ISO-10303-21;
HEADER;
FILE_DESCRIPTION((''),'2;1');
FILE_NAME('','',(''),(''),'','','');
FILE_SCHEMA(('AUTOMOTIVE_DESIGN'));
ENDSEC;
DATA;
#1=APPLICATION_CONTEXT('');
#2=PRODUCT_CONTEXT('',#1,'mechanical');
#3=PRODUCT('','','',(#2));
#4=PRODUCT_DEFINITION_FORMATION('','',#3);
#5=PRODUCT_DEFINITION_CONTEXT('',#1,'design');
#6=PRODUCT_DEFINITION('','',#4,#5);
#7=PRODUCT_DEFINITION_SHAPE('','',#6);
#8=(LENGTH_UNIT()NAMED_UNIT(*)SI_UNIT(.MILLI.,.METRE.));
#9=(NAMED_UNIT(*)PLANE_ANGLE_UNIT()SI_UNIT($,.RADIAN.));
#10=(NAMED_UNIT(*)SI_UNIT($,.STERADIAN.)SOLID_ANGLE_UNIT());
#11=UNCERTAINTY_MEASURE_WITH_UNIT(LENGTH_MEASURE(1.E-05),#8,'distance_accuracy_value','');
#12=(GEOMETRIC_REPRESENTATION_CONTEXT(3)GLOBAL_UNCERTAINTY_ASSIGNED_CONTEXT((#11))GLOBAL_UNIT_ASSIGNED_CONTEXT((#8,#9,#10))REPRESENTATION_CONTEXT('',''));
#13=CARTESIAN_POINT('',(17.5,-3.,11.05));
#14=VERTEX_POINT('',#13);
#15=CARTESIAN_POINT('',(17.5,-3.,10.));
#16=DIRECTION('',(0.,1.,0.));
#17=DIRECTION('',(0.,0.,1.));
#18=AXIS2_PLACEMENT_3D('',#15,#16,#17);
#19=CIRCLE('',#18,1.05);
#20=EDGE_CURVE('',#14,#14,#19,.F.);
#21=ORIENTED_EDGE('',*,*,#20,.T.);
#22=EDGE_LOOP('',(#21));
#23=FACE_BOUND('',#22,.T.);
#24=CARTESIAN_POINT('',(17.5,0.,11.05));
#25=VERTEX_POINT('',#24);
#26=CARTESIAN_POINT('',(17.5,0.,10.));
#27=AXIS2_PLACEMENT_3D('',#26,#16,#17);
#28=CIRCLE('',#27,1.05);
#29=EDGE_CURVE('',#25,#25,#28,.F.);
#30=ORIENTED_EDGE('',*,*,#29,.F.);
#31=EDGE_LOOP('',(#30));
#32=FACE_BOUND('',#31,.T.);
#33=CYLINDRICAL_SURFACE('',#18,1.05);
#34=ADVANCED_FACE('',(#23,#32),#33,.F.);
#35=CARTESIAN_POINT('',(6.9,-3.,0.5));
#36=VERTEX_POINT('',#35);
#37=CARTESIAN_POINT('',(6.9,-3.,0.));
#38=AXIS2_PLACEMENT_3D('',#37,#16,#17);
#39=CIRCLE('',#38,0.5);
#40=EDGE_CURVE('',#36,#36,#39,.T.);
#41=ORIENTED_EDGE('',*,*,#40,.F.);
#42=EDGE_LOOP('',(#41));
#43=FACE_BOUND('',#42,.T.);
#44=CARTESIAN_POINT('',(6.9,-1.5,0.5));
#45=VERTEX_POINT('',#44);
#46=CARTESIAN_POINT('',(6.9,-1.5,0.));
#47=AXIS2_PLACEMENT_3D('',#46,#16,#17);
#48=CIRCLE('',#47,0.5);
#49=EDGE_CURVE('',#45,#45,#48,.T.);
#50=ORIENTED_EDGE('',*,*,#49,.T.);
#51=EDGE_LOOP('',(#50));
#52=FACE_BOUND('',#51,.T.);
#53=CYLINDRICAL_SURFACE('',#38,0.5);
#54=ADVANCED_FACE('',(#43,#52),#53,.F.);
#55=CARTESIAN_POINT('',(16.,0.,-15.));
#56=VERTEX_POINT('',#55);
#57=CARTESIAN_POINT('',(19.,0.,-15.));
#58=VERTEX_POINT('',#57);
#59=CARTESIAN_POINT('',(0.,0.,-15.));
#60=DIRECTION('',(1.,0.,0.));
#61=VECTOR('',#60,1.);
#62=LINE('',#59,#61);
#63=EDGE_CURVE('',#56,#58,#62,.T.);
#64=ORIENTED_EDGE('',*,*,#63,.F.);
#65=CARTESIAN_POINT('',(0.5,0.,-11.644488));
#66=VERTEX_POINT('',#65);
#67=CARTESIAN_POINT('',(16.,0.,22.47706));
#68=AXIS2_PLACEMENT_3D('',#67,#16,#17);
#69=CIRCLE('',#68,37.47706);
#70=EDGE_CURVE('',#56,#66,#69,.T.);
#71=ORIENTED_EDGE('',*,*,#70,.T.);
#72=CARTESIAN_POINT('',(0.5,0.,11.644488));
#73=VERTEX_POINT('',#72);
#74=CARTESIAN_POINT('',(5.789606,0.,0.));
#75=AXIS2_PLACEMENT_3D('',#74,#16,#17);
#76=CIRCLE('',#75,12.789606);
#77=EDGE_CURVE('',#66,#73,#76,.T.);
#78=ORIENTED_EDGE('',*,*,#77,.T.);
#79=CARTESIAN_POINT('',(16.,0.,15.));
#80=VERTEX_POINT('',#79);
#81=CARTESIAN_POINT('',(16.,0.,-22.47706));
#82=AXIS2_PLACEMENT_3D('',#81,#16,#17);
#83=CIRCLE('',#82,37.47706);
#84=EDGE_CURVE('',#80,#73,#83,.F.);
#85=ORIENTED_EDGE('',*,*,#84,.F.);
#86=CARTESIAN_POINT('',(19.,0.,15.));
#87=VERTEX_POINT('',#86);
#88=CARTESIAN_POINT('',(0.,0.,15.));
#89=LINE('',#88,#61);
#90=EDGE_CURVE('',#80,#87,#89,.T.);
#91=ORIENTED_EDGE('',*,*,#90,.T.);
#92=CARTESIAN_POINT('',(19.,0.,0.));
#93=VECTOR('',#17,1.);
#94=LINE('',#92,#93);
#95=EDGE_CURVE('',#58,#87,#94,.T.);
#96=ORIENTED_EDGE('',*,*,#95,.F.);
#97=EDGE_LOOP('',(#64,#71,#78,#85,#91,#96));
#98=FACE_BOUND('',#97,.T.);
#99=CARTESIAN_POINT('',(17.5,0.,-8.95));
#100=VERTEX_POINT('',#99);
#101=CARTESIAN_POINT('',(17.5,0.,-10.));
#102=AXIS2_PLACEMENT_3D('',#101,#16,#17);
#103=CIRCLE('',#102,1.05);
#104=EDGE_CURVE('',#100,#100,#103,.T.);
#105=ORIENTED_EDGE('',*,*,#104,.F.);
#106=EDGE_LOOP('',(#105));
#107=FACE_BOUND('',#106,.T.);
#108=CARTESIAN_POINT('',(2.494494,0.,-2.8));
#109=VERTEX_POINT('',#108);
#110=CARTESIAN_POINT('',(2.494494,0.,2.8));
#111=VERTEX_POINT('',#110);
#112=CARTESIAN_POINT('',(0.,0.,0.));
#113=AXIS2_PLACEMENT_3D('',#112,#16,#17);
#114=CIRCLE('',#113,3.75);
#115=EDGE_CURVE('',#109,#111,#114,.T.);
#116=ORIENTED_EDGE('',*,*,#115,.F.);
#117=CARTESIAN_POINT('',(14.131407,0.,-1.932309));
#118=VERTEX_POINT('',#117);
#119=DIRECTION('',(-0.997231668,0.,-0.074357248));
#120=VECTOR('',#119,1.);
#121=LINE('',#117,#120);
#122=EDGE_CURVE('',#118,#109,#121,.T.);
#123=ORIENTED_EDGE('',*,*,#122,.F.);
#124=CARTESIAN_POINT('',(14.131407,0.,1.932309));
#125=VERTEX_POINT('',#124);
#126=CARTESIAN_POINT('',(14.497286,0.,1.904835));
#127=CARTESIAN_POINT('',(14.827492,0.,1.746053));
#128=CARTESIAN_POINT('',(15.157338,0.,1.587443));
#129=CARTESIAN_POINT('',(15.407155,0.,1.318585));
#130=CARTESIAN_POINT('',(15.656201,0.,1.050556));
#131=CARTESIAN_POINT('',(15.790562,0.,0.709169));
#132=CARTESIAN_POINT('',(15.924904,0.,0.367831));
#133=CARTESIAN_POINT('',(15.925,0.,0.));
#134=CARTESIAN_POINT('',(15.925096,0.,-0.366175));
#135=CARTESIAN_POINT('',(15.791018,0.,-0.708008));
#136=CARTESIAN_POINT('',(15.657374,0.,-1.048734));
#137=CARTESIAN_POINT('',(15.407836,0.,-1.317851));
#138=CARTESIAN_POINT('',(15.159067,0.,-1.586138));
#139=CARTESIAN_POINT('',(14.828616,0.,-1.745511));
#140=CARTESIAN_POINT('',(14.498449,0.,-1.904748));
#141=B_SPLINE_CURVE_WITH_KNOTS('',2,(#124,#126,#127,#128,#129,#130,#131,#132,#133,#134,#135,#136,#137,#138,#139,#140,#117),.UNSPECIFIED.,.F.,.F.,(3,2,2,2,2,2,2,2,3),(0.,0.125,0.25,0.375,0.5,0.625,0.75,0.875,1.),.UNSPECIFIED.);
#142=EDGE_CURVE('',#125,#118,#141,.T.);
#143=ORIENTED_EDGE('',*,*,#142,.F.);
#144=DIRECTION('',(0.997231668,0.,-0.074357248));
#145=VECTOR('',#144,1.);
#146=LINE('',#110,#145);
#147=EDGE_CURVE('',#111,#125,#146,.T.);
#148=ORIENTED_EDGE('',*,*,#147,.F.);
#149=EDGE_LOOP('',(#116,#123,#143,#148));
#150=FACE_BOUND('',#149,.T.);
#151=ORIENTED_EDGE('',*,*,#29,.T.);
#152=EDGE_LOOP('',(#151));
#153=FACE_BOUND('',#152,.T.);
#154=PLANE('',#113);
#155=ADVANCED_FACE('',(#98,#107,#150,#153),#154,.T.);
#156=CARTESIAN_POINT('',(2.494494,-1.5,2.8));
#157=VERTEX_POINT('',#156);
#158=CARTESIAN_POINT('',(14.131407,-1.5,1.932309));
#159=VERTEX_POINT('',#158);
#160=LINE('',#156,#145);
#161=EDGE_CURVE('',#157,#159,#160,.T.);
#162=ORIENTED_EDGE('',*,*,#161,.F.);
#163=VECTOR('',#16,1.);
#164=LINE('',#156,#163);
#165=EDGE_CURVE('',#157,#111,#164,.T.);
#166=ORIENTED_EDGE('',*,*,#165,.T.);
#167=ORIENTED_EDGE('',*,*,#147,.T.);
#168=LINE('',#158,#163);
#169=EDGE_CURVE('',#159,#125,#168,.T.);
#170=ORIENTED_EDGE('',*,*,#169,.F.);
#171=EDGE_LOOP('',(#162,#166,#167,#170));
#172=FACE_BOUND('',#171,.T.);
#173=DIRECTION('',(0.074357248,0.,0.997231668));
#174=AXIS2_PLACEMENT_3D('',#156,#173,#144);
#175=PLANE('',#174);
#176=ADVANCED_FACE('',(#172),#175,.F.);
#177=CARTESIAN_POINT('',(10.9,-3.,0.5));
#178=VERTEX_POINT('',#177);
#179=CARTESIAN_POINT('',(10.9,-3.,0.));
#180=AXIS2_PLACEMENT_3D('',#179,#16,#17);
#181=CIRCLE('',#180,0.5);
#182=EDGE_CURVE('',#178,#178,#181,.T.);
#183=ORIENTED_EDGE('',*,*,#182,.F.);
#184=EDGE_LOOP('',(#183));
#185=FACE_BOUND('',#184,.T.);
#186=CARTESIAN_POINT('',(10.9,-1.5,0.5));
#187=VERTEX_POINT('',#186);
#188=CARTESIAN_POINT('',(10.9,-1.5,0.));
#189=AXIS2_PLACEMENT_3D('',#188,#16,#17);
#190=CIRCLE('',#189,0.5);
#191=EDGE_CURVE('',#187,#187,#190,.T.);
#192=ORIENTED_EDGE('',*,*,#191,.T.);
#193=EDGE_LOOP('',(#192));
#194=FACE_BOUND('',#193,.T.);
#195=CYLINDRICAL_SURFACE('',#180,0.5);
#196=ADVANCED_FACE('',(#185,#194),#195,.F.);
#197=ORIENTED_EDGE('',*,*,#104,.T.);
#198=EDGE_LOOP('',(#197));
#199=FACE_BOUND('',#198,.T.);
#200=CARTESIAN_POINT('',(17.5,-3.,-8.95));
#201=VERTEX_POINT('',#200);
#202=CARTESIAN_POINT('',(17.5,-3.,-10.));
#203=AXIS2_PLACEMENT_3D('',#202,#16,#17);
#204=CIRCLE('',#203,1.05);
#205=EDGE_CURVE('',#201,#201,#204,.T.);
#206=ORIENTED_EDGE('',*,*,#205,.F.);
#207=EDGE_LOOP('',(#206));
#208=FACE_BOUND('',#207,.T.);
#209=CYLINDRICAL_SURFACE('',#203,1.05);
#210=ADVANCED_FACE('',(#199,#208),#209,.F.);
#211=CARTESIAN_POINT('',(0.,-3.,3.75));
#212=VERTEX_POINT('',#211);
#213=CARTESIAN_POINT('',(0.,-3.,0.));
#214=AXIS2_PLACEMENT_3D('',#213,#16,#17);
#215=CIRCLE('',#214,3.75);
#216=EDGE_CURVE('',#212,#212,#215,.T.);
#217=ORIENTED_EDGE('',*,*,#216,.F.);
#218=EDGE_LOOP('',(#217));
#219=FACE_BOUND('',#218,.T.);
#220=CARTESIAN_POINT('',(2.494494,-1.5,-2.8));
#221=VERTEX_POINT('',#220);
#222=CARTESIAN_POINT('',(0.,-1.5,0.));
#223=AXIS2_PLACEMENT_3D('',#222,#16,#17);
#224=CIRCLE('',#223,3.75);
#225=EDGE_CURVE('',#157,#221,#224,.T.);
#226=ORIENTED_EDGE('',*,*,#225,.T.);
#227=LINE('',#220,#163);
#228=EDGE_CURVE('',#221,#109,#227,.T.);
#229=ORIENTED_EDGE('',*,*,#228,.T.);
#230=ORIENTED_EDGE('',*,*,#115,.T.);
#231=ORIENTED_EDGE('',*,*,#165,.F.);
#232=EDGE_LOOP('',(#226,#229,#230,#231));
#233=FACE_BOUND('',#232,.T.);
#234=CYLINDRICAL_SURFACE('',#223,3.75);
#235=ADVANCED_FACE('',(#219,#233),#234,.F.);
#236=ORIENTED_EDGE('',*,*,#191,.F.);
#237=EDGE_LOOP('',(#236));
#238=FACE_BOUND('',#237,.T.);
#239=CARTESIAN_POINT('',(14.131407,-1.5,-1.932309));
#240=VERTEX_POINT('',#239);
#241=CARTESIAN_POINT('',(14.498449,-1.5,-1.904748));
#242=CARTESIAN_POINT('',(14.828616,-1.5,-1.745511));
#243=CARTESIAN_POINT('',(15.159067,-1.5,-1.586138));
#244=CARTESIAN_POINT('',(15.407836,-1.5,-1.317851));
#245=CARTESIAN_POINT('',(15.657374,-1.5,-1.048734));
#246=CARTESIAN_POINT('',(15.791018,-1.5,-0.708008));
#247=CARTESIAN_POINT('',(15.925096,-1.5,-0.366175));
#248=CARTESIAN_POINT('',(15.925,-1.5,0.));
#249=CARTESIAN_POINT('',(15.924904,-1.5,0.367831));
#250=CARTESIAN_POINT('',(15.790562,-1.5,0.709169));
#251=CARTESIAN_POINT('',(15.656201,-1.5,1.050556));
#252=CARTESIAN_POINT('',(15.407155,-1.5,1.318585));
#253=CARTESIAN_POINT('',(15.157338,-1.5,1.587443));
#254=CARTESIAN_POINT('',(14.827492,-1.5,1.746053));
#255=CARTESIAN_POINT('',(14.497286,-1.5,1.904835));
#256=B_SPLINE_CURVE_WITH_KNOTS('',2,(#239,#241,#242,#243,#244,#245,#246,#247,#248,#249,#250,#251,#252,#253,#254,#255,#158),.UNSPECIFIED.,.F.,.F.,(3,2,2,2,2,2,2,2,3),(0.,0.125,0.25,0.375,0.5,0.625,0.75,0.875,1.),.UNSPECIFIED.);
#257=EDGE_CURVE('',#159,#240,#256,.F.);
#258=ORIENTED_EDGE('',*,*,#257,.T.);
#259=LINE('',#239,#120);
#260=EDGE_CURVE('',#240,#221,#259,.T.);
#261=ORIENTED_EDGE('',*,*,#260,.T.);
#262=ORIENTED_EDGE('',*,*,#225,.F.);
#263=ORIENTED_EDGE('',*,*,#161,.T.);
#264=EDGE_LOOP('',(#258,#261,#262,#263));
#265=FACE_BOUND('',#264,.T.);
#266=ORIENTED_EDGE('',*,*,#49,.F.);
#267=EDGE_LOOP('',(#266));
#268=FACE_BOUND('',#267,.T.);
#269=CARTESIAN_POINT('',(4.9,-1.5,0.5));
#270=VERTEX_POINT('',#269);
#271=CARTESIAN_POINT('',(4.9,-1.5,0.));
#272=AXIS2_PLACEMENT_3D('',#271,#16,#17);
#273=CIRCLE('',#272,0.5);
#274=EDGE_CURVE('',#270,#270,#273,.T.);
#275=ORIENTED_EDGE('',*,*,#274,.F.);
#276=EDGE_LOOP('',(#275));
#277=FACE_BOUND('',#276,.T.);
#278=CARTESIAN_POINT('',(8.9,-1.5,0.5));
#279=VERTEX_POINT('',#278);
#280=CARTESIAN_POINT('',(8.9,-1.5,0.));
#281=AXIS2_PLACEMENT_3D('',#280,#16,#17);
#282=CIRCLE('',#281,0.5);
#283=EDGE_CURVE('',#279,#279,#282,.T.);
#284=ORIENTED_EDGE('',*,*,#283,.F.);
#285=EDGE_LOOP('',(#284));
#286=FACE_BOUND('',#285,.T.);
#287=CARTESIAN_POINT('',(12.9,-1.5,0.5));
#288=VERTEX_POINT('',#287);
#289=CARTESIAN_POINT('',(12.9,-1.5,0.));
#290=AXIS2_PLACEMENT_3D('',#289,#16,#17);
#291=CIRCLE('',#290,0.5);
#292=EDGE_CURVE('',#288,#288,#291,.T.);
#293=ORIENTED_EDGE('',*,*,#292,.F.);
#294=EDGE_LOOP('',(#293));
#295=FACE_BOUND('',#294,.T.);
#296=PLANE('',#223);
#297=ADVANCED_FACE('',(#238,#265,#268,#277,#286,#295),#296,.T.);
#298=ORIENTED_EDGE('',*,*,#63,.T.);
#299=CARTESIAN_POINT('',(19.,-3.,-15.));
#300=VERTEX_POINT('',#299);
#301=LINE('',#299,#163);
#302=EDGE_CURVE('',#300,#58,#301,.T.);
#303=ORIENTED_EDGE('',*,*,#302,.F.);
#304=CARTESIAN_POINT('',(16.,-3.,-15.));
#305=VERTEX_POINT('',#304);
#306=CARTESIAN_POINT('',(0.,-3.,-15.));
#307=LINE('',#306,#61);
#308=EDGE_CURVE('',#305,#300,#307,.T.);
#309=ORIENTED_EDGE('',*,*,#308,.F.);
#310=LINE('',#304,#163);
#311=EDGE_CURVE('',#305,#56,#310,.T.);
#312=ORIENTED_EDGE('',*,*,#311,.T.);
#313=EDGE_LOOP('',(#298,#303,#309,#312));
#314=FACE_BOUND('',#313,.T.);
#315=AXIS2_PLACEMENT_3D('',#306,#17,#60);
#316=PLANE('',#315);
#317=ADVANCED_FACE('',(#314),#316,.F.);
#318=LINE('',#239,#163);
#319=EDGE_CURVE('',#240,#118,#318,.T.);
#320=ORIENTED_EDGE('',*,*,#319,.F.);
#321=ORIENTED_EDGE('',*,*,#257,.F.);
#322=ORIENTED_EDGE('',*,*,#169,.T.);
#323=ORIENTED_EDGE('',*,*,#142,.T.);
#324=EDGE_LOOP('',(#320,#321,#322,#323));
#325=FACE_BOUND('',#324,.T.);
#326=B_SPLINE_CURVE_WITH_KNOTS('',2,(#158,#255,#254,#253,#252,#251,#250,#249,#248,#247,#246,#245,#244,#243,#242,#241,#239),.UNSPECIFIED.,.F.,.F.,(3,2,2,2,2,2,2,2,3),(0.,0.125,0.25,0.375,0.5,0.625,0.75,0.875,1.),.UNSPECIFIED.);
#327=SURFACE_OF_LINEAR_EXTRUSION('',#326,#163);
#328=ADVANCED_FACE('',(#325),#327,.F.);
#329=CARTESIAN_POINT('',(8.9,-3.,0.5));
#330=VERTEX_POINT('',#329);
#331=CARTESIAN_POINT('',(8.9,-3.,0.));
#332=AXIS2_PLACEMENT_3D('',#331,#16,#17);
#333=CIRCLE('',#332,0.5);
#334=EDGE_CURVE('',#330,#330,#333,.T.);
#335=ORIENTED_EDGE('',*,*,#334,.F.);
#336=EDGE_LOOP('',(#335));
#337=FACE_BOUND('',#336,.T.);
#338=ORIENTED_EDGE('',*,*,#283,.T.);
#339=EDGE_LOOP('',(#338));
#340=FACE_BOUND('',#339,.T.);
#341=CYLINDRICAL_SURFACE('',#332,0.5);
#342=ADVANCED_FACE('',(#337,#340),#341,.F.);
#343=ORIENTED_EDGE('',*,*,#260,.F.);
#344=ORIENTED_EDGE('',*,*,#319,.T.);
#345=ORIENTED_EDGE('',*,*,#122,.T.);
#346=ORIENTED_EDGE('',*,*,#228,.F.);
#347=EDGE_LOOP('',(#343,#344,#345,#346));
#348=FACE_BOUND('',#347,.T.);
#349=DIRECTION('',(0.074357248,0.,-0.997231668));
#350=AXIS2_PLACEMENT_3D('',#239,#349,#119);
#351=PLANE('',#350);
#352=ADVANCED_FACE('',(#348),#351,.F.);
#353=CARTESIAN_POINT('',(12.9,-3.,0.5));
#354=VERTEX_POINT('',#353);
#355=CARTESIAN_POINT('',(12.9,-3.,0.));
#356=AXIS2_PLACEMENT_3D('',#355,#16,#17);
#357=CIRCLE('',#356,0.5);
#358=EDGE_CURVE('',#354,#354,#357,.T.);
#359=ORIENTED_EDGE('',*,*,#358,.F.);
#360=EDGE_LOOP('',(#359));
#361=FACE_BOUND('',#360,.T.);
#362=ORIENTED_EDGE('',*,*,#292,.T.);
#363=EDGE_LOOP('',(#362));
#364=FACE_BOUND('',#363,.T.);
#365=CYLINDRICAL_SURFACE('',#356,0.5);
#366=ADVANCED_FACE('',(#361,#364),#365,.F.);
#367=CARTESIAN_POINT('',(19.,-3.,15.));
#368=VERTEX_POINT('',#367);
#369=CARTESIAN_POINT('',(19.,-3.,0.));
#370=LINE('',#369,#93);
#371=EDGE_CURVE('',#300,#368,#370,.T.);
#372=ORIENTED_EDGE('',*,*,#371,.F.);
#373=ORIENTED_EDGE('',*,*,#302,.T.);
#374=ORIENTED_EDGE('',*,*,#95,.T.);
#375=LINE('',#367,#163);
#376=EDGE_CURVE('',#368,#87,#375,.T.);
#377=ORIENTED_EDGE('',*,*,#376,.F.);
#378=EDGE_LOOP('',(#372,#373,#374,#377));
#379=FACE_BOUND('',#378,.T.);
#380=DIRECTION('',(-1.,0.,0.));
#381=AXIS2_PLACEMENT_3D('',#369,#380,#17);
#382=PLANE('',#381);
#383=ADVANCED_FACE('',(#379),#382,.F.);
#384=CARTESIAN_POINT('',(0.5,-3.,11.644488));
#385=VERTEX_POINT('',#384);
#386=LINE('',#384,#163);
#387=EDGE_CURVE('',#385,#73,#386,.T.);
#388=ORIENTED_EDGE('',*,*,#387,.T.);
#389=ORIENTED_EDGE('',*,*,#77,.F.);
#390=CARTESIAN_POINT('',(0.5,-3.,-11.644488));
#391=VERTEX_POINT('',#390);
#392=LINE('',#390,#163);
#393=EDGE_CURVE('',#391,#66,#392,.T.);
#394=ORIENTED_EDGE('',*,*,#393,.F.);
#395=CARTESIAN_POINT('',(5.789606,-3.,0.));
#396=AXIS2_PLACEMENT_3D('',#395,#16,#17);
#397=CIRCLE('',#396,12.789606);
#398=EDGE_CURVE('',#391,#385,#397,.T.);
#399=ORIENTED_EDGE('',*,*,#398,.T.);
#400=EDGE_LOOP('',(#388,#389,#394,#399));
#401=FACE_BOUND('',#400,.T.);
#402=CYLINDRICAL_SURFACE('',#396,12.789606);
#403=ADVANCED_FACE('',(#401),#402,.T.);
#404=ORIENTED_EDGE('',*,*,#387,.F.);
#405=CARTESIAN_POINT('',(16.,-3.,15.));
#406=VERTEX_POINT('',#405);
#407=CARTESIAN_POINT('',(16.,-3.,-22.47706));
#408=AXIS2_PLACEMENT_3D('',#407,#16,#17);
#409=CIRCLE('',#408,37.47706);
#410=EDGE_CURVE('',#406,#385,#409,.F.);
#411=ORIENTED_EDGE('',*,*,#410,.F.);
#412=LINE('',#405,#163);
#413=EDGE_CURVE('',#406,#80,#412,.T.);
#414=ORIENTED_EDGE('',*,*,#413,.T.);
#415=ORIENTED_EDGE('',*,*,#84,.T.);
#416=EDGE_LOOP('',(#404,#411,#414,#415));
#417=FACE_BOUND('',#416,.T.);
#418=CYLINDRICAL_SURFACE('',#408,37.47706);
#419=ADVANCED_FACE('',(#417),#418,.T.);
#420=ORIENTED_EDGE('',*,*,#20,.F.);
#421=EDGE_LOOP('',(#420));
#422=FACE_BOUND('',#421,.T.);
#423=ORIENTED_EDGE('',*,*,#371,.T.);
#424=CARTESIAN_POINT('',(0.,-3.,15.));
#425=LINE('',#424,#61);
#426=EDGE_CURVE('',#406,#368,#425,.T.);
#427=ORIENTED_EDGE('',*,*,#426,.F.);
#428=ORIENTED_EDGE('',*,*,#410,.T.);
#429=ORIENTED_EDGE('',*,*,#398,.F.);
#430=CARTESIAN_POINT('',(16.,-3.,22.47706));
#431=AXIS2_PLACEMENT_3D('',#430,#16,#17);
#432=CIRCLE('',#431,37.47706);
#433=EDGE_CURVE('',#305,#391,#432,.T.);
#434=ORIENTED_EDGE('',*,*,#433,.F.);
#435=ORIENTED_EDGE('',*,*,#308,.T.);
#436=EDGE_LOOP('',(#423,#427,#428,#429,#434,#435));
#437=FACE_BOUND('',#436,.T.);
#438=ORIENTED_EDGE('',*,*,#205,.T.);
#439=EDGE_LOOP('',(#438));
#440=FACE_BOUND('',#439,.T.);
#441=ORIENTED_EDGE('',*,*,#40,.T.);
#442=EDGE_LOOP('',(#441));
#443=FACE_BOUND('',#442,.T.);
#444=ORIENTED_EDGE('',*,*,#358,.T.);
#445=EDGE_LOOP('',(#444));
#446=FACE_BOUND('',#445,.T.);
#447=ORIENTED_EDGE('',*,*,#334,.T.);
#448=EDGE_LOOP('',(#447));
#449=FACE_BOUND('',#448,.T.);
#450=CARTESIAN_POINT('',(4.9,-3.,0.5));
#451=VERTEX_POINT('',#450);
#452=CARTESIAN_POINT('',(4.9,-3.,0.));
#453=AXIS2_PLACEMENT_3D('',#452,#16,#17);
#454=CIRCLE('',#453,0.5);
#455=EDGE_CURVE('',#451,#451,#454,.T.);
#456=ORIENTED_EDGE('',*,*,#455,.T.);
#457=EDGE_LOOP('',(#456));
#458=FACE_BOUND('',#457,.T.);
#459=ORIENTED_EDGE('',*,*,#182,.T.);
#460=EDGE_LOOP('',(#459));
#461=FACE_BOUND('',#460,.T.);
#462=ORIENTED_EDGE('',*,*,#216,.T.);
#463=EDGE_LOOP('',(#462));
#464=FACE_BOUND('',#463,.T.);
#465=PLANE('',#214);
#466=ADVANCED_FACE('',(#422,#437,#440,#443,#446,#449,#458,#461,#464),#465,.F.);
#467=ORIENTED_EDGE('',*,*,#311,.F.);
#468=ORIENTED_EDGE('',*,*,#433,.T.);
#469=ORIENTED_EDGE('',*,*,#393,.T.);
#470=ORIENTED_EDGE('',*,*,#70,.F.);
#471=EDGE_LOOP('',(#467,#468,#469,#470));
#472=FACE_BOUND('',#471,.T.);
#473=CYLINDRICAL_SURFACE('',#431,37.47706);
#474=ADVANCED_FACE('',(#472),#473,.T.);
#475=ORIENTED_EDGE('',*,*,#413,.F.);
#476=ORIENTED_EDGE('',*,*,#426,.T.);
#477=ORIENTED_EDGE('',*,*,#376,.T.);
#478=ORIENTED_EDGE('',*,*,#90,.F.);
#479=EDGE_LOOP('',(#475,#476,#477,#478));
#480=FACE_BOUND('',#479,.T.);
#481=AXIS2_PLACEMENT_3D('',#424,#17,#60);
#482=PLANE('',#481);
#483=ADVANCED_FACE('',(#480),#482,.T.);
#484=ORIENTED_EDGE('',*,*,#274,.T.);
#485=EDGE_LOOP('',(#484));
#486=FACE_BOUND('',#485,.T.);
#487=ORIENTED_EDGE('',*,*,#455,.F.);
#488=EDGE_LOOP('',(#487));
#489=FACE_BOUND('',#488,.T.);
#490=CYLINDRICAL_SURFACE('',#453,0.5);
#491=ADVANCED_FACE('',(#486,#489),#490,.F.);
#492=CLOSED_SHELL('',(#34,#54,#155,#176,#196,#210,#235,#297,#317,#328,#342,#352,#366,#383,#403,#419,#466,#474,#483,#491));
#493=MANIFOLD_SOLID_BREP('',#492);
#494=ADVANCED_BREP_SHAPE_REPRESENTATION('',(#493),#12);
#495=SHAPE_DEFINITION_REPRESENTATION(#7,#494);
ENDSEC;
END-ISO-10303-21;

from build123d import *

# Parameters (mm, degrees)
SKETCH1_R               = 1.05
SKETCH1_R_2             = 2.35
BOSS_EXTRUDE1_DEPTH     = 3
ENL_V_MAT_EXTRU_1_DEPTH = 1.5
ESQUISSE3_R             = 0.5
ESQUISSE3_R_2           = 3.75
ENL_V_MAT_EXTRU_7_DEPTH = 25.253865818


with BuildPart() as part:
    # Sketch1 → Boss-Extrude1 (new body)
    with BuildSketch(Plane(origin=(0, 0, 0), x_dir=(1, 0, 0), z_dir=(0, 1, 0))):
        with BuildLine():
            Line((19, 15), (16, 15))
            ThreePointArc((16, 15), (8.07047508, 14.15151711), (0.5, 11.644487847))
            ThreePointArc((0.5, 11.644487847), (-7, 0), (0.5, -11.644487847))
            ThreePointArc((0.5, -11.644487847), (8.07047508, -14.15151711), (16, -15))
            Line((16, -15), (19, -15))
            Line((19, -15), (19, 15))
        make_face()
        with Locations(Location((17.5, -10, 0), (0, 0, 270))):
            Circle(SKETCH1_R, mode=Mode.SUBTRACT)
        with Locations(Location((17.5, 10, 0), (0, 0, 270))):
            Circle(SKETCH1_R, mode=Mode.SUBTRACT)
        with Locations(Location((0, 0, 0), (0, 0, 270))):
            Circle(SKETCH1_R_2, mode=Mode.SUBTRACT)
    extrude(amount=-BOSS_EXTRUDE1_DEPTH)

    # Esquisse1 → Enlèv. mat.-Extru.1 (cut)
    with BuildSketch(Plane(origin=(0, 0, 0), x_dir=(1, 0, 0), z_dir=(0, 1, 0))):
        with BuildLine():
            Line((2.494493937, -2.8), (14.131406802, -1.932309126))
            add(Edge.make_bspline(
                [(14.131406802, -1.932309126), (14.497286128, -1.904835216), (14.827491954, -1.746052706), (15.157338026, -1.587443187), (15.407154881, -1.318584734), (15.656200737, -1.050556048), (15.790562016, -0.709168668), (15.92490372, -0.367831024), (15.925, 0), (15.925095847, 0.366175279), (15.791018176, 0.708007672), (15.657374187, 1.048734388), (15.407835717, 1.317851242), (15.159067388, 1.586137532), (14.828615817, 1.74551148), (14.498449498, 1.904747853), (14.131406802, 1.932309126)],
                knots=[0, 0, 0, 0.125, 0.125, 0.25, 0.25, 0.375, 0.375, 0.5, 0.5, 0.625, 0.625, 0.75, 0.75, 0.875, 0.875, 1, 1, 1], degree=2))
            Line((14.131406802, 1.932309126), (2.494493937, 2.8))
            ThreePointArc((2.494493937, 2.8), (-3.75, 0), (2.494493937, -2.8))
        make_face()
    extrude(amount=-ENL_V_MAT_EXTRU_1_DEPTH, mode=Mode.SUBTRACT)

    # Esquisse3 → Enlèv. mat.-Extru.7 (cut, through all)
    with BuildSketch(Plane(origin=(0, -1.5, 0), x_dir=(1, 0, 0), z_dir=(0, 1, 0))):
        with Locations(Location((4.9, 0, 0), (0, 0, 270))):
            Circle(ESQUISSE3_R)
        with Locations(Location((6.9, 0, 0), (0, 0, 270))):
            Circle(ESQUISSE3_R)
        with Locations(Location((8.9, 0, 0), (0, 0, 270))):
            Circle(ESQUISSE3_R)
        with Locations(Location((10.9, 0, 0), (0, 0, 270))):
            Circle(ESQUISSE3_R)
        with Locations(Location((12.9, 0, 0), (0, 0, 270))):
            Circle(ESQUISSE3_R)
        with Locations(Location((0, 0, 0), (0, 0, 270))):
            Circle(ESQUISSE3_R_2)
    extrude(amount=-ENL_V_MAT_EXTRU_7_DEPTH, mode=Mode.SUBTRACT)


solid = part.part
